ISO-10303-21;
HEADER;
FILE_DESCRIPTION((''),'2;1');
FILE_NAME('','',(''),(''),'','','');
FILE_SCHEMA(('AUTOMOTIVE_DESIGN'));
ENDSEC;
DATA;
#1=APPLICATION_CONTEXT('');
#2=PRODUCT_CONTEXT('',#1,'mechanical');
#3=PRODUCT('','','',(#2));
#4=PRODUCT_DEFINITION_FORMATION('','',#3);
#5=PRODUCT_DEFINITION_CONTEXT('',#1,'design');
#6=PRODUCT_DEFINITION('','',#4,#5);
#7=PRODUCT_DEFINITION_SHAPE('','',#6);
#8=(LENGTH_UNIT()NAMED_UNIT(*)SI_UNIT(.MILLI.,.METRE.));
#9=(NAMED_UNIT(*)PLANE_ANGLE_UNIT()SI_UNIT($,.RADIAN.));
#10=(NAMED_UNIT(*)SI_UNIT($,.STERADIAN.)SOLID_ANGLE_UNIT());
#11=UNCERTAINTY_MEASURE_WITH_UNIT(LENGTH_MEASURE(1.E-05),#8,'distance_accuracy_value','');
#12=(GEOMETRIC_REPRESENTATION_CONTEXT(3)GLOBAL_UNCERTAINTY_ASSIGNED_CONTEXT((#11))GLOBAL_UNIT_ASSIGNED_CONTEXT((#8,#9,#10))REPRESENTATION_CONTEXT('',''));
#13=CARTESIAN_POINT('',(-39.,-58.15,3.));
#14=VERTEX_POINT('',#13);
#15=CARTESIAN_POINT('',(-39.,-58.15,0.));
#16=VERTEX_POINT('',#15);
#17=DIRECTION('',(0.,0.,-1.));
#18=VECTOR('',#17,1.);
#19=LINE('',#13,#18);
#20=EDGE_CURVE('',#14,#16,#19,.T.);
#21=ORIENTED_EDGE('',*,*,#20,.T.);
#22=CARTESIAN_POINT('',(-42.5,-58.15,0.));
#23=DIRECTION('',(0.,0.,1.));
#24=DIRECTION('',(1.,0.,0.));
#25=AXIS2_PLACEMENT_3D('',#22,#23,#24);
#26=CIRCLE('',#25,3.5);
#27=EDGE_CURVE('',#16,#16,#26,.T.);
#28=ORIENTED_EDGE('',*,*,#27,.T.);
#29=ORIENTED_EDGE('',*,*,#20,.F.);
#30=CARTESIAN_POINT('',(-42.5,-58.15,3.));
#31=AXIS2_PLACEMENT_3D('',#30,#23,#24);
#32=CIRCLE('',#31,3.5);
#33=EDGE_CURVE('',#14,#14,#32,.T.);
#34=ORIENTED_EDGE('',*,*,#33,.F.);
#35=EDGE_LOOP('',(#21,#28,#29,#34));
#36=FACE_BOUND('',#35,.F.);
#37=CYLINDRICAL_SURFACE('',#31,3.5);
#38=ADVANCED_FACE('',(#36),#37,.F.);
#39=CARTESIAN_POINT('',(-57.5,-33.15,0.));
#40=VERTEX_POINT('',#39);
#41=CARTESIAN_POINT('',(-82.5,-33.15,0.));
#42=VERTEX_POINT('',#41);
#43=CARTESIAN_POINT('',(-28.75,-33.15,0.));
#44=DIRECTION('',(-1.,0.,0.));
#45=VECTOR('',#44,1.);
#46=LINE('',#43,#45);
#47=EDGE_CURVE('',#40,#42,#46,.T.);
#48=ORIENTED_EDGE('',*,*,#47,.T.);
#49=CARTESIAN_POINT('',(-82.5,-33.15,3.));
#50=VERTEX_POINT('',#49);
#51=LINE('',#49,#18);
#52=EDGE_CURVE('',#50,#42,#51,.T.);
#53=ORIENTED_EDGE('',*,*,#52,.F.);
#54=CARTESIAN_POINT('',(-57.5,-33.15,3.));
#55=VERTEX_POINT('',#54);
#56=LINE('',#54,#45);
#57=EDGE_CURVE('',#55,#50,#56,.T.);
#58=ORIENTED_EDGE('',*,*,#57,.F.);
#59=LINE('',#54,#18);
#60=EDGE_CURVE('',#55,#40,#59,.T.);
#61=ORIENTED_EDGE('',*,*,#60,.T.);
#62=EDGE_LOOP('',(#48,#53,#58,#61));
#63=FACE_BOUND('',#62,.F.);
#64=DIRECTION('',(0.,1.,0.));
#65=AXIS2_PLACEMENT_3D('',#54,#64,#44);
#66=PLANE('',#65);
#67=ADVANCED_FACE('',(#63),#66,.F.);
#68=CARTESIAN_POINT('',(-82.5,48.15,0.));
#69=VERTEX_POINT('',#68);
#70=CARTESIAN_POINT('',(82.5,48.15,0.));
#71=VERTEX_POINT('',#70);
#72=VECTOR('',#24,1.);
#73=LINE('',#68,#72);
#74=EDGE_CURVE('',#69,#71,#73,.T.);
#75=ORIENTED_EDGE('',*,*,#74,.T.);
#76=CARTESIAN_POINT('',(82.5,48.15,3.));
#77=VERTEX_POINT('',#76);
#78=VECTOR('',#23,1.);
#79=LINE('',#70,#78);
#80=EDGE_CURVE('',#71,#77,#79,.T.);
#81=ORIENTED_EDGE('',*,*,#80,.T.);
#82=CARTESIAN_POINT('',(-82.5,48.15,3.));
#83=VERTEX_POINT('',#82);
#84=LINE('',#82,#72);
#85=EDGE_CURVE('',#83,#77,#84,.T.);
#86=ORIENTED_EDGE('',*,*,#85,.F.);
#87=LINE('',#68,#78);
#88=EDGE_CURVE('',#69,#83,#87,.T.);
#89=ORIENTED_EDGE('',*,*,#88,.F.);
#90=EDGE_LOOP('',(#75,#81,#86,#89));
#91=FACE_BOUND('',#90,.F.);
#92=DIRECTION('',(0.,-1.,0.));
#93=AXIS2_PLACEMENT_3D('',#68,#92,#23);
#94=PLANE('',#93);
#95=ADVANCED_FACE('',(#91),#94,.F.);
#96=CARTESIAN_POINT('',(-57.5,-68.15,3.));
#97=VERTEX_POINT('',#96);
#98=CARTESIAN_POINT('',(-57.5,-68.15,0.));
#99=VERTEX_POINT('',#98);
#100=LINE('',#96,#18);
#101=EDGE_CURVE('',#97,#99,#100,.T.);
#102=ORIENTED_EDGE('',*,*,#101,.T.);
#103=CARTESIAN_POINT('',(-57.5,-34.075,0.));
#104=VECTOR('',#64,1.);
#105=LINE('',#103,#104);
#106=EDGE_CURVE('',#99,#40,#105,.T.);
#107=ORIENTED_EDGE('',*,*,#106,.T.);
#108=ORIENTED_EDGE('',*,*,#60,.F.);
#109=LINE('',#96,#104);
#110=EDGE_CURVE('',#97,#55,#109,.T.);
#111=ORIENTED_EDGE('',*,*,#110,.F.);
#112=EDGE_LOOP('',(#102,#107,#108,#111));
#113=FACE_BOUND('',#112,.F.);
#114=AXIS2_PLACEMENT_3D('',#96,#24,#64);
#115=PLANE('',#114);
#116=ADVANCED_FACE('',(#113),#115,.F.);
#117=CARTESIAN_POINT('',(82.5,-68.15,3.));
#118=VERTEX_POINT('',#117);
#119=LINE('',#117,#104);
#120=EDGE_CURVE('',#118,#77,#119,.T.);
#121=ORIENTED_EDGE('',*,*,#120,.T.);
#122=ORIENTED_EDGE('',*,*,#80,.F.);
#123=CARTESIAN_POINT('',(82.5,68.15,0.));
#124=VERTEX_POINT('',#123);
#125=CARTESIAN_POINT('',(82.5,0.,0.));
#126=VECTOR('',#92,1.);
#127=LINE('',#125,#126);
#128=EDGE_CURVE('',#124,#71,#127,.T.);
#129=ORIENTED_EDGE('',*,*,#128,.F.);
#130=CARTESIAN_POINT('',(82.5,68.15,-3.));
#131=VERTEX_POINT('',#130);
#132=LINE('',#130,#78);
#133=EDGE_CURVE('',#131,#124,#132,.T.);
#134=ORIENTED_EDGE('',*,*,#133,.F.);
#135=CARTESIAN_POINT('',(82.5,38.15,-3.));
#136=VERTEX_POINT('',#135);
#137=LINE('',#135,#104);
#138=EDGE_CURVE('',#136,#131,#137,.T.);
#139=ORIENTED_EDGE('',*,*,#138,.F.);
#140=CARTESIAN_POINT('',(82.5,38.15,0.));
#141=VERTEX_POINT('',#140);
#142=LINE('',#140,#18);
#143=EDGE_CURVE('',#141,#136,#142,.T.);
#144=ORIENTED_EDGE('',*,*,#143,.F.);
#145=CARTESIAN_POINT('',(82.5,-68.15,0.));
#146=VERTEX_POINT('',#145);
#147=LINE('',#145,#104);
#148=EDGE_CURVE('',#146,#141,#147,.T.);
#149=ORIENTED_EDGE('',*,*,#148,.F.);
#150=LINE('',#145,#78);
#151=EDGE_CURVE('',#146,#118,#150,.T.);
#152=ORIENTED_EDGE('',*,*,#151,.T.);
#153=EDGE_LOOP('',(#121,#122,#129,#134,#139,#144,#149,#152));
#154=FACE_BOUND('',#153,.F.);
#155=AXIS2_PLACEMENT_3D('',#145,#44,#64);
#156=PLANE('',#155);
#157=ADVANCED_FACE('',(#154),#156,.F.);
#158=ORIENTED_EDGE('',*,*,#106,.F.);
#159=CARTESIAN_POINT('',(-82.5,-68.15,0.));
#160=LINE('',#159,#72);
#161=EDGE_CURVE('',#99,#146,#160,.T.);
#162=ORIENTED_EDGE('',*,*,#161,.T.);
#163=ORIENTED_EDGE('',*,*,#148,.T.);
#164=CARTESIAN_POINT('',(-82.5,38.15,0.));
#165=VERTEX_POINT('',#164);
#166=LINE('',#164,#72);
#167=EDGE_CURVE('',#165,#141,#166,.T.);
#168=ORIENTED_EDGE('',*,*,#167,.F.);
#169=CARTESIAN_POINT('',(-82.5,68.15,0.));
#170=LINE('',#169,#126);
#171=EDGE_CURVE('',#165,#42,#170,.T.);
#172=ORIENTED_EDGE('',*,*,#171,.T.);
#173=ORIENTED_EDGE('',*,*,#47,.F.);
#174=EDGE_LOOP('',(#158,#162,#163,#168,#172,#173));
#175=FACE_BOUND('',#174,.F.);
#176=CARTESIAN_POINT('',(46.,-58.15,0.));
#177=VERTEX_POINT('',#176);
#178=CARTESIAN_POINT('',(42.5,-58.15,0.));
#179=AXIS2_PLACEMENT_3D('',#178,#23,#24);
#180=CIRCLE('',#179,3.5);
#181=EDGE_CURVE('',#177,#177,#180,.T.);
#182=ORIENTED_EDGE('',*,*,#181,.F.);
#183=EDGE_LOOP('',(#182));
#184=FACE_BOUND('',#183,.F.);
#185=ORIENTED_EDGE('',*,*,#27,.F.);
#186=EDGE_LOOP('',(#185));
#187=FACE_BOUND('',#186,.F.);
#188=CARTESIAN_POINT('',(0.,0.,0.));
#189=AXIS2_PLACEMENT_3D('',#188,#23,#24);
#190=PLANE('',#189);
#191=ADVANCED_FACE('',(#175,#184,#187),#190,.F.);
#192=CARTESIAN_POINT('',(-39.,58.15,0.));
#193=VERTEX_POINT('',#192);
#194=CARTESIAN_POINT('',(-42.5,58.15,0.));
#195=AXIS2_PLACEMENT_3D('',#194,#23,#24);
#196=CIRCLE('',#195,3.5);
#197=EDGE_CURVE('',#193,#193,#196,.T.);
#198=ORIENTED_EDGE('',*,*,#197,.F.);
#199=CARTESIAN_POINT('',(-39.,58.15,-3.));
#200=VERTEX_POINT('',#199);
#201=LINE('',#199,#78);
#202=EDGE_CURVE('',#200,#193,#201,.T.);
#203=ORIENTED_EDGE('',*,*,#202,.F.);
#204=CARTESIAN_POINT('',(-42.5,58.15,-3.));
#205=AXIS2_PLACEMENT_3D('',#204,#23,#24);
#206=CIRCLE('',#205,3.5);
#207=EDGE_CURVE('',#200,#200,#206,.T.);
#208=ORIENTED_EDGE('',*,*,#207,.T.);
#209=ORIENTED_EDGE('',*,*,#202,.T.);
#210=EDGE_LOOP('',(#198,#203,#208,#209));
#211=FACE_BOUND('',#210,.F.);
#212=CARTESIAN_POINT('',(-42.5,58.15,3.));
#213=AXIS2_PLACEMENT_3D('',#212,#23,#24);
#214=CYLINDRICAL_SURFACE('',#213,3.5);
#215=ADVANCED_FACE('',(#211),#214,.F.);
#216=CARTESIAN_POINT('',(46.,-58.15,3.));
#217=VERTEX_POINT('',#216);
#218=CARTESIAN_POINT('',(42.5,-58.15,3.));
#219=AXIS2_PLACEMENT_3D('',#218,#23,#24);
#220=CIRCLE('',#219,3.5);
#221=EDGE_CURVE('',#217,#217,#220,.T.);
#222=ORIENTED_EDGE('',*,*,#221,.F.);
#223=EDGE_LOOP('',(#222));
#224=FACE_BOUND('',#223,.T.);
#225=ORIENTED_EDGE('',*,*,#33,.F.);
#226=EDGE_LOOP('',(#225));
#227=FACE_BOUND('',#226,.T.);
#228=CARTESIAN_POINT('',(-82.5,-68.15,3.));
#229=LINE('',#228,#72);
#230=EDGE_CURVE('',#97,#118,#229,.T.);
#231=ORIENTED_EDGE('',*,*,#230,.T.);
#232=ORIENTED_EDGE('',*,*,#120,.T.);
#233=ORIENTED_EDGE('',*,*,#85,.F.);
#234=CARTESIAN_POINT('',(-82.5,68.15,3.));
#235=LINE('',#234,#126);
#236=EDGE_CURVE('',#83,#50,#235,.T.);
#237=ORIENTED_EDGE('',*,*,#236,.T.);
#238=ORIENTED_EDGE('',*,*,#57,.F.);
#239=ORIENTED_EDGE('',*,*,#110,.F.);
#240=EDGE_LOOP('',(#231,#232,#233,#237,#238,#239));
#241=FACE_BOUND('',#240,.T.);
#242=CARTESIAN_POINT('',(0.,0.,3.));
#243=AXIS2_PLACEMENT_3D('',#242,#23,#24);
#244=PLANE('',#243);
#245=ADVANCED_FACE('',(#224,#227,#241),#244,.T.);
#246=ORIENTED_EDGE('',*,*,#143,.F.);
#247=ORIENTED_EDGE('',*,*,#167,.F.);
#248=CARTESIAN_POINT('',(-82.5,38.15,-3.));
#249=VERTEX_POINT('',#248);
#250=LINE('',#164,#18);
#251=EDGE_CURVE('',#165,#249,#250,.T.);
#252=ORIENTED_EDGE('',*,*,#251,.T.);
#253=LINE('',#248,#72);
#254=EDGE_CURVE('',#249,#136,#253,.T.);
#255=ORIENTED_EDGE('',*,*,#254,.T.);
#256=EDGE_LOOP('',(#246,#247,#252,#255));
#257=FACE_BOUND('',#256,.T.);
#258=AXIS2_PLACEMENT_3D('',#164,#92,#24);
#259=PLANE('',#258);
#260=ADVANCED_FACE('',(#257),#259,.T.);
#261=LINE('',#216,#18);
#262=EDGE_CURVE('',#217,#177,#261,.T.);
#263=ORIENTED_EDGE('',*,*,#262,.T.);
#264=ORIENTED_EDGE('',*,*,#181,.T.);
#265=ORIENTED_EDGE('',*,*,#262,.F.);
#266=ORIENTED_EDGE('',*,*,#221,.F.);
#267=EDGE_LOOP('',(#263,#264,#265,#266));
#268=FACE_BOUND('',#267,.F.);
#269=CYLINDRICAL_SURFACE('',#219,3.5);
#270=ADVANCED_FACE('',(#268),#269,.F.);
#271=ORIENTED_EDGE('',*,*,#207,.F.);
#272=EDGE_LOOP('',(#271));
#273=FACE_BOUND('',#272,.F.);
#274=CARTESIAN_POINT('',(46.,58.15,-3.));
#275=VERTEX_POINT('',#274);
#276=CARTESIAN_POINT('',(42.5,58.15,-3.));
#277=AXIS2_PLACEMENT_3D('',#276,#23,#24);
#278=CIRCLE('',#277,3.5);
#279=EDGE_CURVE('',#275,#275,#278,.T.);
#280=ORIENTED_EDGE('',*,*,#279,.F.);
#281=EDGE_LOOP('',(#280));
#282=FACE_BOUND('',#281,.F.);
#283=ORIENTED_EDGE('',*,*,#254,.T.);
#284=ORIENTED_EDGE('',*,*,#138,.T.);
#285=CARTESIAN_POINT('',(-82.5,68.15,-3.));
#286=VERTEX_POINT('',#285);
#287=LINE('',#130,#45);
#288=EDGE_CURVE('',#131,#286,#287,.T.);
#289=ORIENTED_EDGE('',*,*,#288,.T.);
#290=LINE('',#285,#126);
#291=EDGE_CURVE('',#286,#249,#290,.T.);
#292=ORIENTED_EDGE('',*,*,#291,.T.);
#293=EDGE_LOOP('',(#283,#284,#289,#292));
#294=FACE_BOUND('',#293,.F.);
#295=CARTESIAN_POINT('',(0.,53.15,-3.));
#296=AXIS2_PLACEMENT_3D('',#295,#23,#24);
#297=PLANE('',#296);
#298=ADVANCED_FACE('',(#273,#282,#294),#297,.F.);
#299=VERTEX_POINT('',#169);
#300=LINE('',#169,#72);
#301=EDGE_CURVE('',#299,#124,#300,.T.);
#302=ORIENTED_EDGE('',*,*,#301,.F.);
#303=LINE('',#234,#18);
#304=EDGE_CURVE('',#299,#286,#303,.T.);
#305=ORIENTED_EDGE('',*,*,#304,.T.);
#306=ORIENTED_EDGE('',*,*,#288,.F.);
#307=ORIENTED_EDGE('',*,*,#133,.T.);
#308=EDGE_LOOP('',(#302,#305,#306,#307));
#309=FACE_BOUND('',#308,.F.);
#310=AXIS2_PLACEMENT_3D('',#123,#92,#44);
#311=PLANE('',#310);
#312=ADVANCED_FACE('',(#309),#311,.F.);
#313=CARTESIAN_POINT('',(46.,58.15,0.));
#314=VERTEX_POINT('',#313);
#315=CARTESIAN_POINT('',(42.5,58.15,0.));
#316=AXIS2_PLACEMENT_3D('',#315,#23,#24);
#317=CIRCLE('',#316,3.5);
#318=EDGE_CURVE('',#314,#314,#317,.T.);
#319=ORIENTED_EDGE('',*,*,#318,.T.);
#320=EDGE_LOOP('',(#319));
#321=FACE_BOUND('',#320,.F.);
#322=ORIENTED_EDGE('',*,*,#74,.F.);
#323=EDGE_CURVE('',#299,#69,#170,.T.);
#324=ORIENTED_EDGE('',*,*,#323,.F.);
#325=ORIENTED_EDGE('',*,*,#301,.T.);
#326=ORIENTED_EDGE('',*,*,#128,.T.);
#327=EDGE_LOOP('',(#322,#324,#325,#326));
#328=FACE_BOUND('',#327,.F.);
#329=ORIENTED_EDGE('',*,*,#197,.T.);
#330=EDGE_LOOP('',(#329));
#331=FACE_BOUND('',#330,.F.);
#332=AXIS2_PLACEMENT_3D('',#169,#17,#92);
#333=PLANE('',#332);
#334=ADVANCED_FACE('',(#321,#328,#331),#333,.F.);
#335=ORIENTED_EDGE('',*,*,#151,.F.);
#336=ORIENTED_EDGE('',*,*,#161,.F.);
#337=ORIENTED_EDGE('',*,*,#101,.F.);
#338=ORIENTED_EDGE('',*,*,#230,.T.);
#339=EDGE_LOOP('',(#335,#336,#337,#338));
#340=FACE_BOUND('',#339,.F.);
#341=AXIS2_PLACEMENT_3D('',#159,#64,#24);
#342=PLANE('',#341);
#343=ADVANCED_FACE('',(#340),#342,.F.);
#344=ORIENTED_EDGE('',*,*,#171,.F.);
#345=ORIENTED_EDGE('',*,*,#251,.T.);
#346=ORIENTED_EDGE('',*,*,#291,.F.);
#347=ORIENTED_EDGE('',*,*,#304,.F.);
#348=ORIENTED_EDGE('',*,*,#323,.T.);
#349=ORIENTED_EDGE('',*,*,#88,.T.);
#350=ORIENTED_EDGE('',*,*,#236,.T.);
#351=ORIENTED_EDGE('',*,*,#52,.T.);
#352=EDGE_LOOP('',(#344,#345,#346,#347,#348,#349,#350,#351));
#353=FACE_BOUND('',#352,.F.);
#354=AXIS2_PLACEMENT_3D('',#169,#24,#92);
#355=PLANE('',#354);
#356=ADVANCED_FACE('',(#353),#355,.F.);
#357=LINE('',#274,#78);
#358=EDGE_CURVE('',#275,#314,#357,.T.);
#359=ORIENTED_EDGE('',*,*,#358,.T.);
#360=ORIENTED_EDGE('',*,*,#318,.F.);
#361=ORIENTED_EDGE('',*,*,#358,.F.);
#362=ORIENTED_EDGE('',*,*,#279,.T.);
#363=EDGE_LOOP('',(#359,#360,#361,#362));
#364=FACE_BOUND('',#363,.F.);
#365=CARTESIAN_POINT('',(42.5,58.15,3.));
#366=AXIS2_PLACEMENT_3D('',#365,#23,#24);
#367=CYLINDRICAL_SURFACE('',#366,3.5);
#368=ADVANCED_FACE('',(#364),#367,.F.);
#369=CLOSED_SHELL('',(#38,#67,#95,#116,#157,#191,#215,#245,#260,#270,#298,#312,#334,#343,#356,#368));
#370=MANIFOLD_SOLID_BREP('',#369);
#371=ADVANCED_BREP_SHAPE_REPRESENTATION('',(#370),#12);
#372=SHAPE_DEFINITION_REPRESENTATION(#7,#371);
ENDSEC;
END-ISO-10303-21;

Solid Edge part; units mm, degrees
sketch "Sketch1" plane through (0, 0, 0) normal (0, 0, 1) x (1, 0, 0)
  line L0 (-82.5, -68.15) -> (82.5, -68.15)
  line L1 (82.5, -68.15) -> (82.5, 68.15)
  line L2 (82.5, 68.15) -> (-82.5, 68.15)
  line L3 (-82.5, 68.15) -> (-82.5, -68.15)
  dimension "D1" = 165
  dimension "D2" = 136.3
extrude "Extrusionsausprägung_1" add sketch "Sketch1" along normal blind 3
sketch "Sketch2" plane through (0, 0, 3) normal (0, 0, 1) x (1, 0, 0)
  circle A0 centre (-42.5, 58.15) radius 3.5
  circle A1 centre (42.5, 58.15) radius 3.5
  circle A2 centre (42.5, -58.15) radius 3.5
  circle A3 centre (-42.5, -58.15) radius 3.5
  dimension "D1" = 7
  dimension "D2" = 85
  dimension "D3" = 40
  dimension "D4" = 116.3
  dimension "D5" = 10
extrude "Extrusionsausschnitt_1" cut sketch "Sketch2" against normal blind 245.2559
sketch "Sketch3" plane through (0, 0, 3) normal (0, 0, 1) x (1, 0, 0)
  line L0 (-82.5, -68.15) -> (-57.5, -68.15)
  line L1 (-57.5, -68.15) -> (-57.5, -33.15)
  line L2 (-57.5, -33.15) -> (-82.5, -33.15)
  line L3 (-82.5, -33.15) -> (-82.5, -68.15)
  dimension "D1" = 25
  dimension "D2" = 35
extrude "Cutout1" cut sketch "Sketch3" against normal through all
sketch "Sketch4" plane through (0, 0, 0) normal (0, 0, -1) x (-1, 0, 0)
  line L0 (-82.5, 68.15) -> (82.5, 68.15)
  line L1 (82.5, 68.15) -> (82.5, 38.15)
  line L2 (82.5, 38.15) -> (-82.5, 38.15)
  line L3 (-82.5, 38.15) -> (-82.5, 68.15)
  dimension "D1" = 30
  dimension "D2" = 165
extrude "Extrusionsausprägung_2" add sketch "Sketch4" along normal blind 3
sketch "Sketch5" plane through (0, 0, 3) normal (0, 0, 1) x (1, 0, 0)
  circle A0 centre (-42.5, 58.15) radius 3.5
  circle A1 centre (42.5, 58.15) radius 3.5
extrude "Cutout2" cut sketch "Sketch5" against normal through all
sketch "Sketch6" plane through (-82.5, 17.5, 0) normal (-1, 0, 0) x (0, 1, 0)
  line L0 (50.65, 0) -> (30.65, 0)
  line L1 (30.65, 0) -> (30.65, -3)
  line L2 (30.65, -3) -> (50.65, -3)
  line L3 (50.65, -3) -> (50.65, 0)
  dimension "D1" = 20
  dimension "D2" = 3
extrude "Cutout3" cut sketch "Sketch6" against normal through all
properties material "Nylon, allgemein"
